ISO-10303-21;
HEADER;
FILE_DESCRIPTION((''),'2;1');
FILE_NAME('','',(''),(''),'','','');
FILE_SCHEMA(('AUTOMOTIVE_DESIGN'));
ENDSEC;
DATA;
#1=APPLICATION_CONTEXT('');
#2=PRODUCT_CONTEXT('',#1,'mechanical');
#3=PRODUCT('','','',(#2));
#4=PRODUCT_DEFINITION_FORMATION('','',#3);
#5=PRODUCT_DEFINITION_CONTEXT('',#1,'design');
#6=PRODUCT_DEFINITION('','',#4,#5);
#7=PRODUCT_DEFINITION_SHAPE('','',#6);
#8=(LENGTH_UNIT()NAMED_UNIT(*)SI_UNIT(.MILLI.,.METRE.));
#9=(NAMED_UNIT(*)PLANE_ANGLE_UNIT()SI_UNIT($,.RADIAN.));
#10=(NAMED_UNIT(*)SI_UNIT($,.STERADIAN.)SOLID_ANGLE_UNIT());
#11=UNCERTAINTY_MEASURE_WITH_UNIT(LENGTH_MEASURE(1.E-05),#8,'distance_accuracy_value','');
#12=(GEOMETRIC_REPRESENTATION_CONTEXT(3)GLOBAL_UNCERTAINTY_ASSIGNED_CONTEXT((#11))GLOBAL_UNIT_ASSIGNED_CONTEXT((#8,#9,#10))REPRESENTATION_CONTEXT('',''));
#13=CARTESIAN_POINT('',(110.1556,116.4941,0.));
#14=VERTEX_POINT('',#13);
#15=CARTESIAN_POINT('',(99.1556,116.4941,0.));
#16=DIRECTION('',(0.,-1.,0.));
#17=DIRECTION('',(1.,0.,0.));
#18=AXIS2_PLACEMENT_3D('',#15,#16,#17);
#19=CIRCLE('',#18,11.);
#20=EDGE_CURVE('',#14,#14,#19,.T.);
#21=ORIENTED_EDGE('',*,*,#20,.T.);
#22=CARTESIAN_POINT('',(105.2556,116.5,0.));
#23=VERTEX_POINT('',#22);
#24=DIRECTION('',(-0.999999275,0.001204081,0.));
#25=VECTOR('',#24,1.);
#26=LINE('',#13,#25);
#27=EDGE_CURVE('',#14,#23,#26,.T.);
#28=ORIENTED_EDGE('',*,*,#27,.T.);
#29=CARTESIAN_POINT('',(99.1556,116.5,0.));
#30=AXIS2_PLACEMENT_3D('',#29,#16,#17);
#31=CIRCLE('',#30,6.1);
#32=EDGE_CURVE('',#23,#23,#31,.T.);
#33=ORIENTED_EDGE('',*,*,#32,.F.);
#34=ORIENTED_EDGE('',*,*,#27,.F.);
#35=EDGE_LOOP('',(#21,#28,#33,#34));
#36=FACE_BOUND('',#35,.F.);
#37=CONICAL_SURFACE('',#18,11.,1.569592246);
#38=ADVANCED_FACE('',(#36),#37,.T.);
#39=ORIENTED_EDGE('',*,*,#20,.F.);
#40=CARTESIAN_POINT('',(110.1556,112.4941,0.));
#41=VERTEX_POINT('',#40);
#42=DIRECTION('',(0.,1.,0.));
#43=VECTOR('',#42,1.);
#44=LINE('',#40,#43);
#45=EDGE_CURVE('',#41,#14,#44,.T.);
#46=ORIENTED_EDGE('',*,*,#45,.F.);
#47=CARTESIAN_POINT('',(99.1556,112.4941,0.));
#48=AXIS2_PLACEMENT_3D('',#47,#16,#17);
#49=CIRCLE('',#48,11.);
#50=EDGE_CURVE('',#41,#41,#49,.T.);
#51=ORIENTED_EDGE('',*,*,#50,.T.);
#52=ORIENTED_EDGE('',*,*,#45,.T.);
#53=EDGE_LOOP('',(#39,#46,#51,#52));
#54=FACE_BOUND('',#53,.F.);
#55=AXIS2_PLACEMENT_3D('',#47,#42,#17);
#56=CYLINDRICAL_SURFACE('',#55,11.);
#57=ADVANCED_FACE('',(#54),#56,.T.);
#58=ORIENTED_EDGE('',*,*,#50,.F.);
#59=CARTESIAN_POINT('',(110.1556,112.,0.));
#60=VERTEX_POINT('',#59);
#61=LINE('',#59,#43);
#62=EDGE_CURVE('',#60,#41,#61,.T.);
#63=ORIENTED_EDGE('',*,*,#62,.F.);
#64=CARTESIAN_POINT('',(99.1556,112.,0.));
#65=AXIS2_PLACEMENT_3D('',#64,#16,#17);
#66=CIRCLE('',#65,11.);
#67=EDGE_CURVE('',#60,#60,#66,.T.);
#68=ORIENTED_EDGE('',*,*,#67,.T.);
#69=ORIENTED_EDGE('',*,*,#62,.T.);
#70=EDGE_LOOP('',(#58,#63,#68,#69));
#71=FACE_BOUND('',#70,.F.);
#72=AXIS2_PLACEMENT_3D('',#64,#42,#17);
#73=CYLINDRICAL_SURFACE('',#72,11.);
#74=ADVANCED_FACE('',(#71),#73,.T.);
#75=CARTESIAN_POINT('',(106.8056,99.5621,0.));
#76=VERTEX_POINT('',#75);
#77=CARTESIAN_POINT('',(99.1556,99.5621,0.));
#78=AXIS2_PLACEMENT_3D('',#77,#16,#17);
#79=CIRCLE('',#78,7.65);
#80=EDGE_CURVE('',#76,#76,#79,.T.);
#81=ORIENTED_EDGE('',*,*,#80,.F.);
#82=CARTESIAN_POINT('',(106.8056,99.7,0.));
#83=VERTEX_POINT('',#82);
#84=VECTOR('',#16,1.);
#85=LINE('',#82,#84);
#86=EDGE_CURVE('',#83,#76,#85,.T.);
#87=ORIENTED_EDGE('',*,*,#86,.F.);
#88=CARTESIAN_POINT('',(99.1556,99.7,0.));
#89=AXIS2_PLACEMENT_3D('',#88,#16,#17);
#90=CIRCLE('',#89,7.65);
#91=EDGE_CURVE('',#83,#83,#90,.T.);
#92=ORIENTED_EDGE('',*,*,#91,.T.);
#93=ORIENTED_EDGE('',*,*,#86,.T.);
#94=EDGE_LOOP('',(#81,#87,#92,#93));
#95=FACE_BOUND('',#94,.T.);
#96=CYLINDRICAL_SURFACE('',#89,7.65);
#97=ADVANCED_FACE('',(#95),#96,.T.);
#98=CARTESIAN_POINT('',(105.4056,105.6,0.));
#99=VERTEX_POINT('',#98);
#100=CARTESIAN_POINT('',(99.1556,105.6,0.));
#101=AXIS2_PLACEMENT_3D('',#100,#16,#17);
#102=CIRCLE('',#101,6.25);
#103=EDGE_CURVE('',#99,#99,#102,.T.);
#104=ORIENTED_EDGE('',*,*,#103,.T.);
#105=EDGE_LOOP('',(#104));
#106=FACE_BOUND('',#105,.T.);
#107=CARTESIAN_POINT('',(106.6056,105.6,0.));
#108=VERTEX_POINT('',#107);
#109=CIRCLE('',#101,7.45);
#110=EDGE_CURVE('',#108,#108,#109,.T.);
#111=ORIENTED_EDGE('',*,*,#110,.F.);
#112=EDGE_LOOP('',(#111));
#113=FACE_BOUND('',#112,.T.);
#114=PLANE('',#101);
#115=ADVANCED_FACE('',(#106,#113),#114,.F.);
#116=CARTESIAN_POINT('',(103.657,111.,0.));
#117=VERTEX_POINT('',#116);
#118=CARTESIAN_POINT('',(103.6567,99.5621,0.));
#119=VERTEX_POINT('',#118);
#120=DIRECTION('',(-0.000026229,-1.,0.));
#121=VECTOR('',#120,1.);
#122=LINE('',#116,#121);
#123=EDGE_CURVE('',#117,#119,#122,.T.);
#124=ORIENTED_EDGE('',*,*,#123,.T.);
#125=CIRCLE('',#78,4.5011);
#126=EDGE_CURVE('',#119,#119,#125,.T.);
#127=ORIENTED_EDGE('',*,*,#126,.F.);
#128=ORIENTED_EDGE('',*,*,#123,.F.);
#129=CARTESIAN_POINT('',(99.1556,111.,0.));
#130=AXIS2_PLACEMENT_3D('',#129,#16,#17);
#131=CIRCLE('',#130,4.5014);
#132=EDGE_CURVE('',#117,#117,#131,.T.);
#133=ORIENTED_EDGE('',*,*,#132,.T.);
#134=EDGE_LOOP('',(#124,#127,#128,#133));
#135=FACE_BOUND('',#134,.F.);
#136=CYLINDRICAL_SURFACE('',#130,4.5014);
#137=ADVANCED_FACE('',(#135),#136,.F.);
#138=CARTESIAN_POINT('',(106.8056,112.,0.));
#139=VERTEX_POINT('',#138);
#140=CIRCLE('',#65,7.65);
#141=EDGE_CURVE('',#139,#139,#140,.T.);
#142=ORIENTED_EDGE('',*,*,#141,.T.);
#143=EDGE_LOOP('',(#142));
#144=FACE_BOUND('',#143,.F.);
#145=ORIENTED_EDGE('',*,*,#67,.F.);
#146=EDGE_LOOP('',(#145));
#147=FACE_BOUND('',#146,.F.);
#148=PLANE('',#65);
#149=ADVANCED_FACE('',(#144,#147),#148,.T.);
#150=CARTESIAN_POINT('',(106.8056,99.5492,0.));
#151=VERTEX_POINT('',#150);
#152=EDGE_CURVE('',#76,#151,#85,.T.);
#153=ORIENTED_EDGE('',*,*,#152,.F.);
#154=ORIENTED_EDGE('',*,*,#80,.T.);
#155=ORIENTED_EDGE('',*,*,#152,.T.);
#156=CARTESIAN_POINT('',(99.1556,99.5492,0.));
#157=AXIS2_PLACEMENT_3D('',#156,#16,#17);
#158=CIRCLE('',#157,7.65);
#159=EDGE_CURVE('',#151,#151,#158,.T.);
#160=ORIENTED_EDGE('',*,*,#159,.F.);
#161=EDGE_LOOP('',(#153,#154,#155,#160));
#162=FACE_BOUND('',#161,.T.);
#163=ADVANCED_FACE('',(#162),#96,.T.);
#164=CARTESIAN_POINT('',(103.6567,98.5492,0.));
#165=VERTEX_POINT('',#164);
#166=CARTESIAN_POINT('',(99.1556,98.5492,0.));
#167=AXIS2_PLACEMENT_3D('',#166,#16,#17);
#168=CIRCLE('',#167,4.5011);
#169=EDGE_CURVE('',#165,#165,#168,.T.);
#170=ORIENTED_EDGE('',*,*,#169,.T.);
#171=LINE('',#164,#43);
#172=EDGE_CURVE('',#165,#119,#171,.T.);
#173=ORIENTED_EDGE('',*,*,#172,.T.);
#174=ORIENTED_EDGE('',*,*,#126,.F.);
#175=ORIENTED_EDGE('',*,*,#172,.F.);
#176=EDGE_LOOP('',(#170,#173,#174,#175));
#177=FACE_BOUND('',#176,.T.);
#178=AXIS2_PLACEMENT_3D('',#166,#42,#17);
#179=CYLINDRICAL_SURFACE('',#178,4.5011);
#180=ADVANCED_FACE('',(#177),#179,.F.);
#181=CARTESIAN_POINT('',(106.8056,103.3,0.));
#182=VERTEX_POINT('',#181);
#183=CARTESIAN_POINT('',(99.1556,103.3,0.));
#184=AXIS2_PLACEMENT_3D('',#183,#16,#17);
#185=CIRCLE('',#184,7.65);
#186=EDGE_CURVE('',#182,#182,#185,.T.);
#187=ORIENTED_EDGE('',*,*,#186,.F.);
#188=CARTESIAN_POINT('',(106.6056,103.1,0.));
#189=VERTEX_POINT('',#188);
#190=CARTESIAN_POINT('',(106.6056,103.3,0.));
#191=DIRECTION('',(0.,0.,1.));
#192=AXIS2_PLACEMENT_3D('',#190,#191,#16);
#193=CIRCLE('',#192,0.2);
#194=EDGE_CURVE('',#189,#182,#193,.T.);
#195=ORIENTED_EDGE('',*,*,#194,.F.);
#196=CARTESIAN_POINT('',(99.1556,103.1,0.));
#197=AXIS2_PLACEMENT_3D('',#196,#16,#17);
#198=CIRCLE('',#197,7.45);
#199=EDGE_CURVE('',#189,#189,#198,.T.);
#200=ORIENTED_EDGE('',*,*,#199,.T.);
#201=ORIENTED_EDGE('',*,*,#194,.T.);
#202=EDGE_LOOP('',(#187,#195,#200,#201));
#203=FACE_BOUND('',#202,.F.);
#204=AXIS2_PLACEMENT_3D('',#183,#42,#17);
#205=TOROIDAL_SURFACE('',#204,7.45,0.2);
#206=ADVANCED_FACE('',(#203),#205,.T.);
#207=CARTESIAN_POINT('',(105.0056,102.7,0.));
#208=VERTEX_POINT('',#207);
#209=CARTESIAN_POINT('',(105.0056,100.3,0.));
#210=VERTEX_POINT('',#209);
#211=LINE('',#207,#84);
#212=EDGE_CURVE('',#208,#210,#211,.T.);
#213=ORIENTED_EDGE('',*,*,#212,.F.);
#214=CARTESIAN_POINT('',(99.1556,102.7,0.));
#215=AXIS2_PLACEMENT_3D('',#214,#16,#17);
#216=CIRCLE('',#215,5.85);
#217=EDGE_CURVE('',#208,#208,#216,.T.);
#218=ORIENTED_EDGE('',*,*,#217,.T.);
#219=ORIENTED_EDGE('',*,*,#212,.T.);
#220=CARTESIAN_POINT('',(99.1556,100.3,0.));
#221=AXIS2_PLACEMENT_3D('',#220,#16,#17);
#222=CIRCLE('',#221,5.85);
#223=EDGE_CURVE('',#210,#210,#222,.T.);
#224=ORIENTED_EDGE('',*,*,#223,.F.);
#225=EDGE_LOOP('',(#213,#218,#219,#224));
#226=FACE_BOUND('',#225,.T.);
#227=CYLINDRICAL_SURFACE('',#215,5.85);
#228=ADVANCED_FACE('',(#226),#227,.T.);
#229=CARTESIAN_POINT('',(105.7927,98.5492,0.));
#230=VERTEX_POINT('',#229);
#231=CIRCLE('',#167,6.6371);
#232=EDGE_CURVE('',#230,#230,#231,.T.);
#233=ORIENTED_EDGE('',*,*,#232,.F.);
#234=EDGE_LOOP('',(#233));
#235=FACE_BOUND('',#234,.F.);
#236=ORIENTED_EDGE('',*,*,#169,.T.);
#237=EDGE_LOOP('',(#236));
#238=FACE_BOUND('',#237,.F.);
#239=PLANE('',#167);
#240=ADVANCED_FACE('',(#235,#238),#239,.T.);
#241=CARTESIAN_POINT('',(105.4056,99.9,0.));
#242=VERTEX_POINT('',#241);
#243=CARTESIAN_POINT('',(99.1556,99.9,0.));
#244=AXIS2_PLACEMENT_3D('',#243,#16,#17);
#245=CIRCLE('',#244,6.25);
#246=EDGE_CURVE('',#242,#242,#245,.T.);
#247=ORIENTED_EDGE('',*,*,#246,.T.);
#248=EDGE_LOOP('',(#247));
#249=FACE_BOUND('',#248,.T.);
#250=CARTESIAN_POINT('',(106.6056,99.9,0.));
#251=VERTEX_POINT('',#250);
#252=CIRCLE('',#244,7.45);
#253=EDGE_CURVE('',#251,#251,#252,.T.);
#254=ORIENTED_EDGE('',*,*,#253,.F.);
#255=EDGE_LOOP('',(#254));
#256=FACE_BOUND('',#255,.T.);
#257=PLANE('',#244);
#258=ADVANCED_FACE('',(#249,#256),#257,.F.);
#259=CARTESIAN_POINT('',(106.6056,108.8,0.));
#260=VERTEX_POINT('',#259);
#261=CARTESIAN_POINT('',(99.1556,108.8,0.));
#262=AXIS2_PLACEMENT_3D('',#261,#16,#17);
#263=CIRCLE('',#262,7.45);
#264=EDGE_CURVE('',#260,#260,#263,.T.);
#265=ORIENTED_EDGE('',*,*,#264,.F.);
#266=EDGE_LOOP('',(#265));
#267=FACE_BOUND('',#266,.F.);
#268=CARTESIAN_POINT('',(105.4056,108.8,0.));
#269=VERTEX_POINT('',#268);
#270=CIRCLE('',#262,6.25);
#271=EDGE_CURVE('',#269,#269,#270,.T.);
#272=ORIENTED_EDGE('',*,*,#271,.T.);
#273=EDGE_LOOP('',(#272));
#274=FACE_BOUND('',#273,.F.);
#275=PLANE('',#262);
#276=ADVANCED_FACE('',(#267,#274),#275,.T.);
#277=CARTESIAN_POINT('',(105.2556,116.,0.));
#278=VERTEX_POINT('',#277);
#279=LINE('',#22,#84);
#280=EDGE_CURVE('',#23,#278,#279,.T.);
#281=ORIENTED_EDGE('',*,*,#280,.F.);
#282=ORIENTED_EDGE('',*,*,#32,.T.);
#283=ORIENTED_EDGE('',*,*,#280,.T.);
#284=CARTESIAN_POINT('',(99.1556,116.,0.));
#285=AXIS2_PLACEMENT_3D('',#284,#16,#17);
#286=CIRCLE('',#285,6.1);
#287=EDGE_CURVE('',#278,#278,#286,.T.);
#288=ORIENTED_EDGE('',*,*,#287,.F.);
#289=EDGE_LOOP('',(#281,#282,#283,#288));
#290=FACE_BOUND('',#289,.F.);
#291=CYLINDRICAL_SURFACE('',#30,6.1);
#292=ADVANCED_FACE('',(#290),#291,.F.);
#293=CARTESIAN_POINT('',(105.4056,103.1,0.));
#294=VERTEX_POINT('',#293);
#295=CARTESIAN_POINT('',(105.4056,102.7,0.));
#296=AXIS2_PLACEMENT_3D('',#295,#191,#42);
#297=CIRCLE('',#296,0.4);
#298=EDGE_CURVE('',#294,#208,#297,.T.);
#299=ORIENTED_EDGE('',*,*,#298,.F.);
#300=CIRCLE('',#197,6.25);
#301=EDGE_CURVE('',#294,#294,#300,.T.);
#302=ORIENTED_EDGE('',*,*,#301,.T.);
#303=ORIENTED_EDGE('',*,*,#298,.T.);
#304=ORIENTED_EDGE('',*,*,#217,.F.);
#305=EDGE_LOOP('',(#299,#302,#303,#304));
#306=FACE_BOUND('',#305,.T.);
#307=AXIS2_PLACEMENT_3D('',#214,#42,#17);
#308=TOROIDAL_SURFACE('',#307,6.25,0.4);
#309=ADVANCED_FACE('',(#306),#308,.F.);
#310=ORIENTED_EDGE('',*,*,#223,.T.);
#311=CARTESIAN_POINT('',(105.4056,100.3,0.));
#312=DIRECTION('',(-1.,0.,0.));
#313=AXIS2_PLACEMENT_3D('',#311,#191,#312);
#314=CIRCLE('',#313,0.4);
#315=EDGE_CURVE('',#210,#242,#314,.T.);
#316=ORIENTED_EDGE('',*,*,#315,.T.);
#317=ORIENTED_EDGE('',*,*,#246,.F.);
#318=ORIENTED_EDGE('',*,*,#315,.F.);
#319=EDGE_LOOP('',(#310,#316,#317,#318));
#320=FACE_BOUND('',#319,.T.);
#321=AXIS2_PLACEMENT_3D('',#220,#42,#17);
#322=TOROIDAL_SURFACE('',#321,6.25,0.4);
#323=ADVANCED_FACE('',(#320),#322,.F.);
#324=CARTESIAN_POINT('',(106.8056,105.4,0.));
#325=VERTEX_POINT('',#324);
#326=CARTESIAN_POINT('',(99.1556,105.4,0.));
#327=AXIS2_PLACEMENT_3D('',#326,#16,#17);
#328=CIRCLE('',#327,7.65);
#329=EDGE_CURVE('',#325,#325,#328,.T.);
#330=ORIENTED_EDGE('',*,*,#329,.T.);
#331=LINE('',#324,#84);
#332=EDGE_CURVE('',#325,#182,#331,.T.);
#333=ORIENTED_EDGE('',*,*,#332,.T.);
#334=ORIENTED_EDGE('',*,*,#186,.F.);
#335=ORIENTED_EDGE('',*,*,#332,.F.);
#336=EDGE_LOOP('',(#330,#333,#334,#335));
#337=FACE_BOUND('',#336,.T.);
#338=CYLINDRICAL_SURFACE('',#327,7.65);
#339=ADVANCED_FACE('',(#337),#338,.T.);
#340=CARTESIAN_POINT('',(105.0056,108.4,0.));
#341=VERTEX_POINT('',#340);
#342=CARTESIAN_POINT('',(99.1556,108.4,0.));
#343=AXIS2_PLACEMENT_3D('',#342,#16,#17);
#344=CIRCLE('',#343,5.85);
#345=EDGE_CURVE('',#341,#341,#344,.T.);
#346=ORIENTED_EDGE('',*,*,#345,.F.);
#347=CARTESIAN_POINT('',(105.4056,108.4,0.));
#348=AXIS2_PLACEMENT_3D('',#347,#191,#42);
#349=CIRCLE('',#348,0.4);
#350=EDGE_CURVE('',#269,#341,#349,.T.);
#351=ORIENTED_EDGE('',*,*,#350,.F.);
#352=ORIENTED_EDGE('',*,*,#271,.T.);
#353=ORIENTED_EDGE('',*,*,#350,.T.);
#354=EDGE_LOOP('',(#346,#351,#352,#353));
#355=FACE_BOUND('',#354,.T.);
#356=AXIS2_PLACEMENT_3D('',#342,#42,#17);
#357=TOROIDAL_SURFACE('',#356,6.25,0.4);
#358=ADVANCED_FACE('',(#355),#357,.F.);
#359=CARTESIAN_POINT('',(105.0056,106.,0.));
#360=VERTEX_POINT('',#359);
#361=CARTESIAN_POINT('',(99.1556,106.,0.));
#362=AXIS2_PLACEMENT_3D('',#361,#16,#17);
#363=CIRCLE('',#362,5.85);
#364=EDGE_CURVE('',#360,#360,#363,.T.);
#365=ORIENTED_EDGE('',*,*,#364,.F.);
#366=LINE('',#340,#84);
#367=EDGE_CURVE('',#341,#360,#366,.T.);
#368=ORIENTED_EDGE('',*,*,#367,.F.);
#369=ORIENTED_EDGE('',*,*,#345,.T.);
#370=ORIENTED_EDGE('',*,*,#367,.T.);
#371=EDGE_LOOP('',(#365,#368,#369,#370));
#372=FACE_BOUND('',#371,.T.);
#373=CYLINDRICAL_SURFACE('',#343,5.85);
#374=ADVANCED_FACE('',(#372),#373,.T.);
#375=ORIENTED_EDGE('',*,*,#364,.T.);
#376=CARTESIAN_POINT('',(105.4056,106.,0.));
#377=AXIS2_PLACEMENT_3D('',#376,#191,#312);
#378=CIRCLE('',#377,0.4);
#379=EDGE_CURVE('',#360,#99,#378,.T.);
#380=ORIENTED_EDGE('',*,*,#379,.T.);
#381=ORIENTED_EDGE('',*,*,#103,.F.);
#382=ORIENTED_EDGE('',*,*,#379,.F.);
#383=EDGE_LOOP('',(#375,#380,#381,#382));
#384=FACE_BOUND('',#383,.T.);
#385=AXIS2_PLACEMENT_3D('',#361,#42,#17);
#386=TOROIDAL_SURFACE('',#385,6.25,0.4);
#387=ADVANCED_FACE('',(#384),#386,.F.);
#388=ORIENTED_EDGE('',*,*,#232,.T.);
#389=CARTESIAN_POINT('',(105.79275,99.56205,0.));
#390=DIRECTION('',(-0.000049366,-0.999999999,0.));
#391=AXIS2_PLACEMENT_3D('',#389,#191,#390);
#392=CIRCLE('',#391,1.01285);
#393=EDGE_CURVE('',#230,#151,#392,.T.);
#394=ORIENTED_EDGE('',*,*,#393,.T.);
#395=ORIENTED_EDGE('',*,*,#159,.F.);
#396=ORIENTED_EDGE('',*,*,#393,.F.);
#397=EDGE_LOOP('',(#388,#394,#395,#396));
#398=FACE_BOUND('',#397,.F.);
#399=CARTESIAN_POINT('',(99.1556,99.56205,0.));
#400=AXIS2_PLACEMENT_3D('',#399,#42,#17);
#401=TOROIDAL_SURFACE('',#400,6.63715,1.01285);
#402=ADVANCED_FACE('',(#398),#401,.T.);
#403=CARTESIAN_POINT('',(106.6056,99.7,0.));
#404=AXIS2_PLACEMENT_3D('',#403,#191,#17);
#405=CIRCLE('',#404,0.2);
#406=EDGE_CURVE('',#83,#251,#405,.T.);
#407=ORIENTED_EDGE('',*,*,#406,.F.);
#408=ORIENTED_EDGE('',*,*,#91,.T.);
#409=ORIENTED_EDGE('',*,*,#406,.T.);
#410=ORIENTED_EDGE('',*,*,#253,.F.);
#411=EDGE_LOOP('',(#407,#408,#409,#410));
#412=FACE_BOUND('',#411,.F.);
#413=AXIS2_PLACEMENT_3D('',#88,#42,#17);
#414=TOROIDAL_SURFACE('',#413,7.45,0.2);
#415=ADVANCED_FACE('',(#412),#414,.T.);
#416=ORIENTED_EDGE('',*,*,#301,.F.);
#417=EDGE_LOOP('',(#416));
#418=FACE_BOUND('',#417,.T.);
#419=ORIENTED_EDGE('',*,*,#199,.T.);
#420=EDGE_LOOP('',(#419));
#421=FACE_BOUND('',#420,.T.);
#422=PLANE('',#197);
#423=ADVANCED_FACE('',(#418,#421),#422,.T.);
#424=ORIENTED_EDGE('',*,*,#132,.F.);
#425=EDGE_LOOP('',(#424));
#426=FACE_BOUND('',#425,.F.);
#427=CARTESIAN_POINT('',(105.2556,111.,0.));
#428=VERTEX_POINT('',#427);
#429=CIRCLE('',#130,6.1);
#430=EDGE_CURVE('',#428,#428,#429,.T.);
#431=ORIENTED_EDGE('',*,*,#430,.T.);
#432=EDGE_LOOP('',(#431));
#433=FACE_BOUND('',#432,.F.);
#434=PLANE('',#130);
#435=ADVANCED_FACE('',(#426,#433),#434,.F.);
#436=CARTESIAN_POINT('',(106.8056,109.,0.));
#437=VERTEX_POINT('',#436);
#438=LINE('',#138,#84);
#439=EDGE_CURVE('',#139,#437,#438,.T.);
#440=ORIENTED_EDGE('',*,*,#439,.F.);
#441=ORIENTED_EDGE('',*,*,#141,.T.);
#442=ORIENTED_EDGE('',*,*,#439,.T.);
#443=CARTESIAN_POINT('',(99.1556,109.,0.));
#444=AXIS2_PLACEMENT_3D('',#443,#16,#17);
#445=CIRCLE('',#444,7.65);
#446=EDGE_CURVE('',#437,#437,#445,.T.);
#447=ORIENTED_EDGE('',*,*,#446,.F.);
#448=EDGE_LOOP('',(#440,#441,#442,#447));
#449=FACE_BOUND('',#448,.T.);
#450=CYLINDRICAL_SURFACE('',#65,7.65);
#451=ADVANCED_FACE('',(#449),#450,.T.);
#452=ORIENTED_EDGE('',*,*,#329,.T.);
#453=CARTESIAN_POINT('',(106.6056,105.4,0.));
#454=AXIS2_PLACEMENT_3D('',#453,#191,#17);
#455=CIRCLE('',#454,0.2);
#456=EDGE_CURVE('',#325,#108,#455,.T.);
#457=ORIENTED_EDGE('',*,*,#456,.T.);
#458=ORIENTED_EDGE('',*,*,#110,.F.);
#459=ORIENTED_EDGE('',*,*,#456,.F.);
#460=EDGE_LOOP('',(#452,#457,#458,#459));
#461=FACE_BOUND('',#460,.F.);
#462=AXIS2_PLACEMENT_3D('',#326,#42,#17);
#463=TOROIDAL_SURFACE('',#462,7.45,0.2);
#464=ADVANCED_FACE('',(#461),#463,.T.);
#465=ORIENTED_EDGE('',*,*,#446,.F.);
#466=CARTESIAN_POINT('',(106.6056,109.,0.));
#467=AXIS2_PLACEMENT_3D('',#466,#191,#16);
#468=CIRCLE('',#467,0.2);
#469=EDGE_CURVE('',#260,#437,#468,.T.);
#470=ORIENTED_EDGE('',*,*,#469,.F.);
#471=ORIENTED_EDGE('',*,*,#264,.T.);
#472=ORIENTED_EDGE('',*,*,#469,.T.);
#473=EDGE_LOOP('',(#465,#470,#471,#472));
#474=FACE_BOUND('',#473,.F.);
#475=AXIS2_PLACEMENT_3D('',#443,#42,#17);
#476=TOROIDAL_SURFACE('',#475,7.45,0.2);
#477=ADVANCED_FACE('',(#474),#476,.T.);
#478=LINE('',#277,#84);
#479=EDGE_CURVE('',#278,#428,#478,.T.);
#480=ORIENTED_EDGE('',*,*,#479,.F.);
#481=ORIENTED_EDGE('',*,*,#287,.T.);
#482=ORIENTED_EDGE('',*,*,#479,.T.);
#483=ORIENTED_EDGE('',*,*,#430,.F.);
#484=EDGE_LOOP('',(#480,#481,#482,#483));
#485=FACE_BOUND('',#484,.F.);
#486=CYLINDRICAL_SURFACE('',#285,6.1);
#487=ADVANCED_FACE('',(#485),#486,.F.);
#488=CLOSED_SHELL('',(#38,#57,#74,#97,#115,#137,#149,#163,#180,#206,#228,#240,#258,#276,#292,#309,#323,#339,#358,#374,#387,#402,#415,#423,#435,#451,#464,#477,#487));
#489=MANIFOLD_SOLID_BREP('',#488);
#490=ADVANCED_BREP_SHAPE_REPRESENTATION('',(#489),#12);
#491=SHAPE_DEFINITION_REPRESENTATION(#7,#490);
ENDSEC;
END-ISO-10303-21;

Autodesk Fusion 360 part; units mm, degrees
sketch "Sketch1" plane through (0, 0, 0) normal (0, 0, 1) x (1, 0, 0)
  line L0 (99.1556, 117.5621) -> (99.1556, 25) construction
  line L1 (106.8056, 112) -> (106.8056, 109)
  line L2 (106.8056, 112) -> (110.1556, 112)
  line L3 (105.0056, 108.4) -> (105.0056, 106)
  line L4 (105.4056, 108.8) -> (106.6056, 108.8)
  line L5 (105.4056, 105.6) -> (106.6056, 105.6)
  line L6 (106.8056, 105.4) -> (106.8056, 103.3)
  line L7 (106.6056, 103.1) -> (105.4056, 103.1)
  line L8 (105.0056, 102.7) -> (105.0056, 100.3)
  line L9 (105.4056, 99.9) -> (106.6056, 99.9)
  line L10 (106.8056, 99.7) -> (106.8056, 99.5492)
  line L11 (105.2556, 116.5) -> (105.2556, 116)
  line L12 (105.2556, 116) -> (105.2556, 111)
  line L13 (105.2556, 111) -> (103.657, 111)
  line L14 (103.657, 111) -> (103.6567, 99.5621)
  arc A0 (105.4056, 108.8) -> (105.0056, 108.4) centre (105.4056, 108.4) ccw
  arc A1 (105.0056, 106) -> (105.4056, 105.6) centre (105.4056, 106) ccw
  arc A2 (105.4056, 103.1) -> (105.0056, 102.7) centre (105.4056, 102.7) ccw
  arc A3 (105.0056, 100.3) -> (105.4056, 99.9) centre (105.4056, 100.3) ccw
  line L15 (110.1556, 112) -> (110.1556, 112.4941)
  line L16 (110.1556, 112.4941) -> (110.1556, 116.4941)
  line L17 (110.1556, 116.4941) -> (105.2556, 116.5)
  line L18 (103.6567, 98.5492) -> (103.6567, 99.5621)
  arc A4 (106.8056, 99.7) -> (106.6056, 99.9) centre (106.6056, 99.7) ccw
  arc A5 (106.8056, 105.4) -> (106.6056, 105.6) centre (106.6056, 105.4) ccw
  arc A6 (106.6056, 103.1) -> (106.8056, 103.3) centre (106.6056, 103.3) ccw
  arc A7 (106.6056, 108.8) -> (106.8056, 109) centre (106.6056, 109) ccw
  arc A8 (105.7927, 98.5492) -> (106.8056, 99.5621) centre (105.7928, 99.5621) ccw
  line L19 (103.6567, 98.5492) -> (105.7927, 98.5492)
  point P0 (106.8056, 108.8)
  point P1 (105.0056, 108.8)
  point P2 (105.0056, 105.6)
  point P3 (105.0056, 103.1)
  point P4 (105.0056, 99.9)
  dimension "d5" = 3.2
  dimension "d7" = 3.2
  dimension "d9" = 3.2
  dimension "d14" = 5
  dimension "d16" = 0.4
  dimension "d17" = 0.4
  dimension "d18" = 0.4
  dimension "d19" = 0.4
  dimension "d20" = 4
  dimension "d22" = 0.2
  dimension "d23" = 0.2
  dimension "d24" = 0.2
  dimension "d25" = 0.2
revolve "Revolve1" add sketch "Sketch1" angle 360 about axis through (99.1556, 117.5621, 0) along (0, -1, 0)
